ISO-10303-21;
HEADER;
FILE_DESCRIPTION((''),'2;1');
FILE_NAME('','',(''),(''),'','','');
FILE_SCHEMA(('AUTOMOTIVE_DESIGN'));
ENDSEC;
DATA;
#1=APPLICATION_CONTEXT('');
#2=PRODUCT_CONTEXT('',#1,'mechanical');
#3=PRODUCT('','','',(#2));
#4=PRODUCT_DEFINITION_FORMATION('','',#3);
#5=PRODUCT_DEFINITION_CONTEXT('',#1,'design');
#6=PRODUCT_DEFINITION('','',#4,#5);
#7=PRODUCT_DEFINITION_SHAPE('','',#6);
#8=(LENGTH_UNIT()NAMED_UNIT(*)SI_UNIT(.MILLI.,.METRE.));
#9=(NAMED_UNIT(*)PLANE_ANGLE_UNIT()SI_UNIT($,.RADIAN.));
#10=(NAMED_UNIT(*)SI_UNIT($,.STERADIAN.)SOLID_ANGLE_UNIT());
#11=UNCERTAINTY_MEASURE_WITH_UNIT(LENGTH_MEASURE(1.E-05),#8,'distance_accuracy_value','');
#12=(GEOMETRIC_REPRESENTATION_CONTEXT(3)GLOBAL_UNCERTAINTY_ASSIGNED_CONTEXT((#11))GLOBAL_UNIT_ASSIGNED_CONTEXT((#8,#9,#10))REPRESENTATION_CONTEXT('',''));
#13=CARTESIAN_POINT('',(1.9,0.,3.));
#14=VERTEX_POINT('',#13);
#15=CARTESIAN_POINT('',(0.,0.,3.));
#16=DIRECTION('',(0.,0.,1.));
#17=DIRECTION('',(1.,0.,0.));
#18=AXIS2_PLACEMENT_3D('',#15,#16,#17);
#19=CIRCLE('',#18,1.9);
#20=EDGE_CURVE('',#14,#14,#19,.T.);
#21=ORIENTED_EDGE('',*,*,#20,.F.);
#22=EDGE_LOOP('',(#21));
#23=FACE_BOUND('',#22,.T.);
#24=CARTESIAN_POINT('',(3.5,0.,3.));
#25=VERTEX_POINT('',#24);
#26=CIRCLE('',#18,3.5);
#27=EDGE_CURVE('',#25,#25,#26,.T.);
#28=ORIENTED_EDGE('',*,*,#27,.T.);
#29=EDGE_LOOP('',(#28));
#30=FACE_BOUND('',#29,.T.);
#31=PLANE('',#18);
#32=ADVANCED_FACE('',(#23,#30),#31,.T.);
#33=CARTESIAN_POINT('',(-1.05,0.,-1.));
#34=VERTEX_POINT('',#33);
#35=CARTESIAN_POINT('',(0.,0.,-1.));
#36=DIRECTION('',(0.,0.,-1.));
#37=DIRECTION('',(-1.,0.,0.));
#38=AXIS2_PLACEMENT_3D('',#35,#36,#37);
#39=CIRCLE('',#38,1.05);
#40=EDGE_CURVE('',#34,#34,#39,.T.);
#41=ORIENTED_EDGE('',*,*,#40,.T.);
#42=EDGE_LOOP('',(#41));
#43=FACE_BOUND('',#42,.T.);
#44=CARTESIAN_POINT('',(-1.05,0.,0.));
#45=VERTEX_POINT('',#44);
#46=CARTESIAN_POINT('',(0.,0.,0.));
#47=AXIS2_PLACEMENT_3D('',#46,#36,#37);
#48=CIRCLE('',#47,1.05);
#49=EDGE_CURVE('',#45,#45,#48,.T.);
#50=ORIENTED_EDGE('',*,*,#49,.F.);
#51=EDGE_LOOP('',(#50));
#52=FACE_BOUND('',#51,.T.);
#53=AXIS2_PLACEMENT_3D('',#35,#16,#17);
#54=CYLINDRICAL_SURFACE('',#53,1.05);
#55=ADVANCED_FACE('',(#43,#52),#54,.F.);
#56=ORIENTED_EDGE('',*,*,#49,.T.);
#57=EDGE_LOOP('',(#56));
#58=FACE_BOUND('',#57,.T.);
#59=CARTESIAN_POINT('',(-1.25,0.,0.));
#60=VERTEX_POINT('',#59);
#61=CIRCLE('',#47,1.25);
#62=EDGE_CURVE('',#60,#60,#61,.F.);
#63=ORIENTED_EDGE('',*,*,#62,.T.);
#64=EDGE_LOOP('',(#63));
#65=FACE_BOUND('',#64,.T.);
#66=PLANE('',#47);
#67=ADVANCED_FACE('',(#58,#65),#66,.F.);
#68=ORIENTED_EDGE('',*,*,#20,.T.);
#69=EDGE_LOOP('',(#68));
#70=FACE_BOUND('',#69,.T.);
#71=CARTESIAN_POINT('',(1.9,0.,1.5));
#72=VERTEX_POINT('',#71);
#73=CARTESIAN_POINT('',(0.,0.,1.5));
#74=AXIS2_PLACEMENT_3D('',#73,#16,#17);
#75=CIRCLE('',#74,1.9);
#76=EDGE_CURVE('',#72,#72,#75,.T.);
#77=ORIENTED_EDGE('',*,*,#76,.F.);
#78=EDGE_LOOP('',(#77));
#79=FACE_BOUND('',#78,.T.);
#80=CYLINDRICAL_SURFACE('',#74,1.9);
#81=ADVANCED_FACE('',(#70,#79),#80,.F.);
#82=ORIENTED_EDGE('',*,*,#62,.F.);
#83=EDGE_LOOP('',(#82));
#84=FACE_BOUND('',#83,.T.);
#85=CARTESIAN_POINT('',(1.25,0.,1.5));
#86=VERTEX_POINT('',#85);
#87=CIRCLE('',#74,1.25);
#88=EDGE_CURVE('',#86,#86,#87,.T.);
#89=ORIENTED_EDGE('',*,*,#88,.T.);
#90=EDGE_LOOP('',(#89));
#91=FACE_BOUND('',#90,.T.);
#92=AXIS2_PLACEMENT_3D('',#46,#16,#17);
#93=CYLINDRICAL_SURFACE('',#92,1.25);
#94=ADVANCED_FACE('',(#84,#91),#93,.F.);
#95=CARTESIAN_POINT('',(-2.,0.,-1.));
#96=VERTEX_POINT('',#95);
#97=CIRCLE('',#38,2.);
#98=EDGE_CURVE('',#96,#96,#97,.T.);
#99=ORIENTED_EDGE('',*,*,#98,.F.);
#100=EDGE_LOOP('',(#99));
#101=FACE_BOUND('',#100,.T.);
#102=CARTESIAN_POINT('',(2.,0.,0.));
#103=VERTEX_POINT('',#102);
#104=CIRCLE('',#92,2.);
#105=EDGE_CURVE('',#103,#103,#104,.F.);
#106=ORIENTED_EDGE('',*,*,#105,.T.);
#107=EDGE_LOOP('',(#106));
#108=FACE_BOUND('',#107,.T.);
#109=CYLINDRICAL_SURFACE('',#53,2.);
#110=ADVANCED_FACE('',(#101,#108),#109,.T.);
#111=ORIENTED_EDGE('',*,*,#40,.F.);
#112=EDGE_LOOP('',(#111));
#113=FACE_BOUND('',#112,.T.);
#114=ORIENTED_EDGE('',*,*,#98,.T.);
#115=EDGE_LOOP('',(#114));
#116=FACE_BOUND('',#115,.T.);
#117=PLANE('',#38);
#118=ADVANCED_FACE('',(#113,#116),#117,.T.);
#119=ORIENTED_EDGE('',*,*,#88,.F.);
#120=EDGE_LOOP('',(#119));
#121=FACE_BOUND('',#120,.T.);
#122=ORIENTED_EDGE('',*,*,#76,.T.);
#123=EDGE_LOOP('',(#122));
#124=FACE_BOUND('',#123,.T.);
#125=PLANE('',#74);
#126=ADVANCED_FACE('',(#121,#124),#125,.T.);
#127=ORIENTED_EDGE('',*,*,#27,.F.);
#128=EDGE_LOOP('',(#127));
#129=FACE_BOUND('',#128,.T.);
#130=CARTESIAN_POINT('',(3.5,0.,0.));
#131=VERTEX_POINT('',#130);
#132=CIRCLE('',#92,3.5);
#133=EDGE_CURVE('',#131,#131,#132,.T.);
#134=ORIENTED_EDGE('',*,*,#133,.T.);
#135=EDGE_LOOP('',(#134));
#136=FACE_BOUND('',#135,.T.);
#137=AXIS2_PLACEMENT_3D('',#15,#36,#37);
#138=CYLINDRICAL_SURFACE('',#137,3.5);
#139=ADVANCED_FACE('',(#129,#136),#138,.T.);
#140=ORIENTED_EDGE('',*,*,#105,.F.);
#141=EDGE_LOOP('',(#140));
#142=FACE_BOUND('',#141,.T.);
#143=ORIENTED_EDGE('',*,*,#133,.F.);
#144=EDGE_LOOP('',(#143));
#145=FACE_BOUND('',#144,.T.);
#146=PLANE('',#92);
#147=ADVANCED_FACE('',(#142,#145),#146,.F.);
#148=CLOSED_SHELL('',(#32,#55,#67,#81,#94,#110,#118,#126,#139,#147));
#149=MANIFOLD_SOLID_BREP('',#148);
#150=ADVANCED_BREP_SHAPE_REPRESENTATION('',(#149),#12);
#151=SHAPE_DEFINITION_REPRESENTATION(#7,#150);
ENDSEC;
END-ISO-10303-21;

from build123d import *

# Parameters (mm, degrees)
SKETCH_1_R          = 3.5
EXTRUDE_1_DEPTH     = 3
SKETCH_2_R          = 1.9
CUT_EXTRUDE_1_DEPTH = 1.5
SKETCH_3_R          = 1.25
CUT_EXTRUDE_2_DEPTH = 6.172040216
SKETCH1_R           = 1.25
SKETCH1_R_2         = 1.05
BOSS_EXTRUDE1_DEPTH = 1
SKETCH3_R           = 2
SKETCH3_R_2         = 1.25
BOSS_EXTRUDE2_DEPTH = 1


with BuildPart() as part:
    # 草图1 → 凸台-拉伸1 (new body)
    with BuildSketch(Plane.XY):
        Circle(SKETCH_1_R)
    extrude(amount=EXTRUDE_1_DEPTH)

    # 草图2 → 切除-拉伸1 (cut)
    with BuildSketch(Plane.XY.offset(3)):
        Circle(SKETCH_2_R)
    extrude(amount=-CUT_EXTRUDE_1_DEPTH, mode=Mode.SUBTRACT)

    # 草图3 → 切除-拉伸2 (cut, through all)
    with BuildSketch(Plane.XY.offset(1.5)):
        Circle(SKETCH_3_R)
    extrude(amount=-CUT_EXTRUDE_2_DEPTH, mode=Mode.SUBTRACT)



with BuildPart() as body_2:
    # Sketch1 → Boss-Extrude1 (new body)
    with BuildSketch(Plane(origin=(0, 0, 0), x_dir=(-1, 0, 0), z_dir=(0, 0, -1))):
        with Locations(Location((0, 0, 0), (0, 0, 180))):
            Circle(SKETCH1_R)
        Circle(SKETCH1_R_2, mode=Mode.SUBTRACT)
    extrude(amount=BOSS_EXTRUDE1_DEPTH)


with BuildPart() as part_1:
    add(part.part)

    add(body_2.part)  # Boss-Extrude2 merges body 2
    # Sketch3 → Boss-Extrude2 (add)
    with BuildSketch(Plane(origin=(0, 0, 0), x_dir=(-1, 0, 0), z_dir=(0, 0, -1))):
        with Locations(Location((0, 0, 0), (0, 0, 180))):
            Circle(SKETCH3_R)
        with Locations(Location((0, 0, 0), (0, 0, 180))):
            Circle(SKETCH3_R_2, mode=Mode.SUBTRACT)
    extrude(amount=BOSS_EXTRUDE2_DEPTH)


solid = part_1.part
